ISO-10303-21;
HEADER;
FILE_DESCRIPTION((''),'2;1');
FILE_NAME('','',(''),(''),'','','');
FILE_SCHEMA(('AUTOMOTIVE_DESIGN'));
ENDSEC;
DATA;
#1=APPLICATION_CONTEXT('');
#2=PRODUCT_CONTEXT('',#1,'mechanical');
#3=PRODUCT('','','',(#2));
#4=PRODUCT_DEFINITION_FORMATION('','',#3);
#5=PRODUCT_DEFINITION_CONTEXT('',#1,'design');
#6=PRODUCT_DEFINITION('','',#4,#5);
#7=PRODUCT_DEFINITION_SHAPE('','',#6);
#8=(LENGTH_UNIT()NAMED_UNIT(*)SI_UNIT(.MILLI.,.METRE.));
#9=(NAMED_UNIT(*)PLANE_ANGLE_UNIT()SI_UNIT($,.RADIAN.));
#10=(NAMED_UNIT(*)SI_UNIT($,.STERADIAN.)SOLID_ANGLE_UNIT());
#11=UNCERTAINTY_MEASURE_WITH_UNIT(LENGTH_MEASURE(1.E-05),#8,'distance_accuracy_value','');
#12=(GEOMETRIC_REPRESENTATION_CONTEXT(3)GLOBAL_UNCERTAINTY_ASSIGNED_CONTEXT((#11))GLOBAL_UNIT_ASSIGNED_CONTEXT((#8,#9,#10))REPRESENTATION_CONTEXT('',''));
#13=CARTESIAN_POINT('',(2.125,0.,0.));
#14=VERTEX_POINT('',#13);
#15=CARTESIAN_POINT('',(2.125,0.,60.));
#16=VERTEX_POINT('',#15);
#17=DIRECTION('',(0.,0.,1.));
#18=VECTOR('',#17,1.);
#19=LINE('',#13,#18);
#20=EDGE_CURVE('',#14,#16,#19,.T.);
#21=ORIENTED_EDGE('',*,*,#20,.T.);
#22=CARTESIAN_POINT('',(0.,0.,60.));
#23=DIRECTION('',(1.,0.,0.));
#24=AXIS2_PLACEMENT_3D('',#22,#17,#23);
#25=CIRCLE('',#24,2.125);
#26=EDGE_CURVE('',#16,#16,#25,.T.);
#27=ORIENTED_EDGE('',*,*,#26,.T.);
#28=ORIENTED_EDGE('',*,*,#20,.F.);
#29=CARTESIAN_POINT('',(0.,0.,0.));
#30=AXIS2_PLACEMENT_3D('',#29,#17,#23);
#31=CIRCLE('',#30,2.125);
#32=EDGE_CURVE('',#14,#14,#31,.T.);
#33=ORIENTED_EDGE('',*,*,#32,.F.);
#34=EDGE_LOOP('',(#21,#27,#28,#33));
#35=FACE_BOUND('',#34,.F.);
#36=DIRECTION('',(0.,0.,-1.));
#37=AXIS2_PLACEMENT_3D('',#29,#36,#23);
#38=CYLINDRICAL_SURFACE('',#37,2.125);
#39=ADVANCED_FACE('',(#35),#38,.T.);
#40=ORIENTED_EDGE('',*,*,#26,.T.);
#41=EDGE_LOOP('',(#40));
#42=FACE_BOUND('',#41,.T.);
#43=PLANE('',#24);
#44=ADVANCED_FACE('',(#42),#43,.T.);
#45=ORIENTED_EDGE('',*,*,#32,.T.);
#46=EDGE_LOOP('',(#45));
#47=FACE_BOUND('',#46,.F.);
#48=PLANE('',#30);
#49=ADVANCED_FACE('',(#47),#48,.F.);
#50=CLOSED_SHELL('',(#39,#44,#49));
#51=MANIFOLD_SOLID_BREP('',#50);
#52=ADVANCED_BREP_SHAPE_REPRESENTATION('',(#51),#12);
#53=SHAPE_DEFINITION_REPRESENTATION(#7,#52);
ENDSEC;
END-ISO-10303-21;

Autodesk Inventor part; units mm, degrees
ref_plane "YZ Plane" through (0, 0, 0) normal (1, 0, 0) x (0, 1, 0)
ref_plane "XZ Plane" through (0, 0, 0) normal (0, 1, 0) x (-1, 0, 0)
ref_plane "XY Plane" through (0, 0, 0) normal (0, 0, 1) x (1, 0, 0)
sketch "Sketch1" plane through (0, 0, 0) normal (1, 0, 0) x (0, 1, 0)
  point P0 (0, 0)
sketch "Sketch2" plane through (0, 0, 0) normal (0, 0, 1) x (1, 0, 0)
  circle A0 centre (0, 0) radius 2.125
  dimension "d0" = 4.25
extrude "Extrusion1" add sketch "Sketch2" along normal blind 60
properties part number "inserted rod_CPY"
